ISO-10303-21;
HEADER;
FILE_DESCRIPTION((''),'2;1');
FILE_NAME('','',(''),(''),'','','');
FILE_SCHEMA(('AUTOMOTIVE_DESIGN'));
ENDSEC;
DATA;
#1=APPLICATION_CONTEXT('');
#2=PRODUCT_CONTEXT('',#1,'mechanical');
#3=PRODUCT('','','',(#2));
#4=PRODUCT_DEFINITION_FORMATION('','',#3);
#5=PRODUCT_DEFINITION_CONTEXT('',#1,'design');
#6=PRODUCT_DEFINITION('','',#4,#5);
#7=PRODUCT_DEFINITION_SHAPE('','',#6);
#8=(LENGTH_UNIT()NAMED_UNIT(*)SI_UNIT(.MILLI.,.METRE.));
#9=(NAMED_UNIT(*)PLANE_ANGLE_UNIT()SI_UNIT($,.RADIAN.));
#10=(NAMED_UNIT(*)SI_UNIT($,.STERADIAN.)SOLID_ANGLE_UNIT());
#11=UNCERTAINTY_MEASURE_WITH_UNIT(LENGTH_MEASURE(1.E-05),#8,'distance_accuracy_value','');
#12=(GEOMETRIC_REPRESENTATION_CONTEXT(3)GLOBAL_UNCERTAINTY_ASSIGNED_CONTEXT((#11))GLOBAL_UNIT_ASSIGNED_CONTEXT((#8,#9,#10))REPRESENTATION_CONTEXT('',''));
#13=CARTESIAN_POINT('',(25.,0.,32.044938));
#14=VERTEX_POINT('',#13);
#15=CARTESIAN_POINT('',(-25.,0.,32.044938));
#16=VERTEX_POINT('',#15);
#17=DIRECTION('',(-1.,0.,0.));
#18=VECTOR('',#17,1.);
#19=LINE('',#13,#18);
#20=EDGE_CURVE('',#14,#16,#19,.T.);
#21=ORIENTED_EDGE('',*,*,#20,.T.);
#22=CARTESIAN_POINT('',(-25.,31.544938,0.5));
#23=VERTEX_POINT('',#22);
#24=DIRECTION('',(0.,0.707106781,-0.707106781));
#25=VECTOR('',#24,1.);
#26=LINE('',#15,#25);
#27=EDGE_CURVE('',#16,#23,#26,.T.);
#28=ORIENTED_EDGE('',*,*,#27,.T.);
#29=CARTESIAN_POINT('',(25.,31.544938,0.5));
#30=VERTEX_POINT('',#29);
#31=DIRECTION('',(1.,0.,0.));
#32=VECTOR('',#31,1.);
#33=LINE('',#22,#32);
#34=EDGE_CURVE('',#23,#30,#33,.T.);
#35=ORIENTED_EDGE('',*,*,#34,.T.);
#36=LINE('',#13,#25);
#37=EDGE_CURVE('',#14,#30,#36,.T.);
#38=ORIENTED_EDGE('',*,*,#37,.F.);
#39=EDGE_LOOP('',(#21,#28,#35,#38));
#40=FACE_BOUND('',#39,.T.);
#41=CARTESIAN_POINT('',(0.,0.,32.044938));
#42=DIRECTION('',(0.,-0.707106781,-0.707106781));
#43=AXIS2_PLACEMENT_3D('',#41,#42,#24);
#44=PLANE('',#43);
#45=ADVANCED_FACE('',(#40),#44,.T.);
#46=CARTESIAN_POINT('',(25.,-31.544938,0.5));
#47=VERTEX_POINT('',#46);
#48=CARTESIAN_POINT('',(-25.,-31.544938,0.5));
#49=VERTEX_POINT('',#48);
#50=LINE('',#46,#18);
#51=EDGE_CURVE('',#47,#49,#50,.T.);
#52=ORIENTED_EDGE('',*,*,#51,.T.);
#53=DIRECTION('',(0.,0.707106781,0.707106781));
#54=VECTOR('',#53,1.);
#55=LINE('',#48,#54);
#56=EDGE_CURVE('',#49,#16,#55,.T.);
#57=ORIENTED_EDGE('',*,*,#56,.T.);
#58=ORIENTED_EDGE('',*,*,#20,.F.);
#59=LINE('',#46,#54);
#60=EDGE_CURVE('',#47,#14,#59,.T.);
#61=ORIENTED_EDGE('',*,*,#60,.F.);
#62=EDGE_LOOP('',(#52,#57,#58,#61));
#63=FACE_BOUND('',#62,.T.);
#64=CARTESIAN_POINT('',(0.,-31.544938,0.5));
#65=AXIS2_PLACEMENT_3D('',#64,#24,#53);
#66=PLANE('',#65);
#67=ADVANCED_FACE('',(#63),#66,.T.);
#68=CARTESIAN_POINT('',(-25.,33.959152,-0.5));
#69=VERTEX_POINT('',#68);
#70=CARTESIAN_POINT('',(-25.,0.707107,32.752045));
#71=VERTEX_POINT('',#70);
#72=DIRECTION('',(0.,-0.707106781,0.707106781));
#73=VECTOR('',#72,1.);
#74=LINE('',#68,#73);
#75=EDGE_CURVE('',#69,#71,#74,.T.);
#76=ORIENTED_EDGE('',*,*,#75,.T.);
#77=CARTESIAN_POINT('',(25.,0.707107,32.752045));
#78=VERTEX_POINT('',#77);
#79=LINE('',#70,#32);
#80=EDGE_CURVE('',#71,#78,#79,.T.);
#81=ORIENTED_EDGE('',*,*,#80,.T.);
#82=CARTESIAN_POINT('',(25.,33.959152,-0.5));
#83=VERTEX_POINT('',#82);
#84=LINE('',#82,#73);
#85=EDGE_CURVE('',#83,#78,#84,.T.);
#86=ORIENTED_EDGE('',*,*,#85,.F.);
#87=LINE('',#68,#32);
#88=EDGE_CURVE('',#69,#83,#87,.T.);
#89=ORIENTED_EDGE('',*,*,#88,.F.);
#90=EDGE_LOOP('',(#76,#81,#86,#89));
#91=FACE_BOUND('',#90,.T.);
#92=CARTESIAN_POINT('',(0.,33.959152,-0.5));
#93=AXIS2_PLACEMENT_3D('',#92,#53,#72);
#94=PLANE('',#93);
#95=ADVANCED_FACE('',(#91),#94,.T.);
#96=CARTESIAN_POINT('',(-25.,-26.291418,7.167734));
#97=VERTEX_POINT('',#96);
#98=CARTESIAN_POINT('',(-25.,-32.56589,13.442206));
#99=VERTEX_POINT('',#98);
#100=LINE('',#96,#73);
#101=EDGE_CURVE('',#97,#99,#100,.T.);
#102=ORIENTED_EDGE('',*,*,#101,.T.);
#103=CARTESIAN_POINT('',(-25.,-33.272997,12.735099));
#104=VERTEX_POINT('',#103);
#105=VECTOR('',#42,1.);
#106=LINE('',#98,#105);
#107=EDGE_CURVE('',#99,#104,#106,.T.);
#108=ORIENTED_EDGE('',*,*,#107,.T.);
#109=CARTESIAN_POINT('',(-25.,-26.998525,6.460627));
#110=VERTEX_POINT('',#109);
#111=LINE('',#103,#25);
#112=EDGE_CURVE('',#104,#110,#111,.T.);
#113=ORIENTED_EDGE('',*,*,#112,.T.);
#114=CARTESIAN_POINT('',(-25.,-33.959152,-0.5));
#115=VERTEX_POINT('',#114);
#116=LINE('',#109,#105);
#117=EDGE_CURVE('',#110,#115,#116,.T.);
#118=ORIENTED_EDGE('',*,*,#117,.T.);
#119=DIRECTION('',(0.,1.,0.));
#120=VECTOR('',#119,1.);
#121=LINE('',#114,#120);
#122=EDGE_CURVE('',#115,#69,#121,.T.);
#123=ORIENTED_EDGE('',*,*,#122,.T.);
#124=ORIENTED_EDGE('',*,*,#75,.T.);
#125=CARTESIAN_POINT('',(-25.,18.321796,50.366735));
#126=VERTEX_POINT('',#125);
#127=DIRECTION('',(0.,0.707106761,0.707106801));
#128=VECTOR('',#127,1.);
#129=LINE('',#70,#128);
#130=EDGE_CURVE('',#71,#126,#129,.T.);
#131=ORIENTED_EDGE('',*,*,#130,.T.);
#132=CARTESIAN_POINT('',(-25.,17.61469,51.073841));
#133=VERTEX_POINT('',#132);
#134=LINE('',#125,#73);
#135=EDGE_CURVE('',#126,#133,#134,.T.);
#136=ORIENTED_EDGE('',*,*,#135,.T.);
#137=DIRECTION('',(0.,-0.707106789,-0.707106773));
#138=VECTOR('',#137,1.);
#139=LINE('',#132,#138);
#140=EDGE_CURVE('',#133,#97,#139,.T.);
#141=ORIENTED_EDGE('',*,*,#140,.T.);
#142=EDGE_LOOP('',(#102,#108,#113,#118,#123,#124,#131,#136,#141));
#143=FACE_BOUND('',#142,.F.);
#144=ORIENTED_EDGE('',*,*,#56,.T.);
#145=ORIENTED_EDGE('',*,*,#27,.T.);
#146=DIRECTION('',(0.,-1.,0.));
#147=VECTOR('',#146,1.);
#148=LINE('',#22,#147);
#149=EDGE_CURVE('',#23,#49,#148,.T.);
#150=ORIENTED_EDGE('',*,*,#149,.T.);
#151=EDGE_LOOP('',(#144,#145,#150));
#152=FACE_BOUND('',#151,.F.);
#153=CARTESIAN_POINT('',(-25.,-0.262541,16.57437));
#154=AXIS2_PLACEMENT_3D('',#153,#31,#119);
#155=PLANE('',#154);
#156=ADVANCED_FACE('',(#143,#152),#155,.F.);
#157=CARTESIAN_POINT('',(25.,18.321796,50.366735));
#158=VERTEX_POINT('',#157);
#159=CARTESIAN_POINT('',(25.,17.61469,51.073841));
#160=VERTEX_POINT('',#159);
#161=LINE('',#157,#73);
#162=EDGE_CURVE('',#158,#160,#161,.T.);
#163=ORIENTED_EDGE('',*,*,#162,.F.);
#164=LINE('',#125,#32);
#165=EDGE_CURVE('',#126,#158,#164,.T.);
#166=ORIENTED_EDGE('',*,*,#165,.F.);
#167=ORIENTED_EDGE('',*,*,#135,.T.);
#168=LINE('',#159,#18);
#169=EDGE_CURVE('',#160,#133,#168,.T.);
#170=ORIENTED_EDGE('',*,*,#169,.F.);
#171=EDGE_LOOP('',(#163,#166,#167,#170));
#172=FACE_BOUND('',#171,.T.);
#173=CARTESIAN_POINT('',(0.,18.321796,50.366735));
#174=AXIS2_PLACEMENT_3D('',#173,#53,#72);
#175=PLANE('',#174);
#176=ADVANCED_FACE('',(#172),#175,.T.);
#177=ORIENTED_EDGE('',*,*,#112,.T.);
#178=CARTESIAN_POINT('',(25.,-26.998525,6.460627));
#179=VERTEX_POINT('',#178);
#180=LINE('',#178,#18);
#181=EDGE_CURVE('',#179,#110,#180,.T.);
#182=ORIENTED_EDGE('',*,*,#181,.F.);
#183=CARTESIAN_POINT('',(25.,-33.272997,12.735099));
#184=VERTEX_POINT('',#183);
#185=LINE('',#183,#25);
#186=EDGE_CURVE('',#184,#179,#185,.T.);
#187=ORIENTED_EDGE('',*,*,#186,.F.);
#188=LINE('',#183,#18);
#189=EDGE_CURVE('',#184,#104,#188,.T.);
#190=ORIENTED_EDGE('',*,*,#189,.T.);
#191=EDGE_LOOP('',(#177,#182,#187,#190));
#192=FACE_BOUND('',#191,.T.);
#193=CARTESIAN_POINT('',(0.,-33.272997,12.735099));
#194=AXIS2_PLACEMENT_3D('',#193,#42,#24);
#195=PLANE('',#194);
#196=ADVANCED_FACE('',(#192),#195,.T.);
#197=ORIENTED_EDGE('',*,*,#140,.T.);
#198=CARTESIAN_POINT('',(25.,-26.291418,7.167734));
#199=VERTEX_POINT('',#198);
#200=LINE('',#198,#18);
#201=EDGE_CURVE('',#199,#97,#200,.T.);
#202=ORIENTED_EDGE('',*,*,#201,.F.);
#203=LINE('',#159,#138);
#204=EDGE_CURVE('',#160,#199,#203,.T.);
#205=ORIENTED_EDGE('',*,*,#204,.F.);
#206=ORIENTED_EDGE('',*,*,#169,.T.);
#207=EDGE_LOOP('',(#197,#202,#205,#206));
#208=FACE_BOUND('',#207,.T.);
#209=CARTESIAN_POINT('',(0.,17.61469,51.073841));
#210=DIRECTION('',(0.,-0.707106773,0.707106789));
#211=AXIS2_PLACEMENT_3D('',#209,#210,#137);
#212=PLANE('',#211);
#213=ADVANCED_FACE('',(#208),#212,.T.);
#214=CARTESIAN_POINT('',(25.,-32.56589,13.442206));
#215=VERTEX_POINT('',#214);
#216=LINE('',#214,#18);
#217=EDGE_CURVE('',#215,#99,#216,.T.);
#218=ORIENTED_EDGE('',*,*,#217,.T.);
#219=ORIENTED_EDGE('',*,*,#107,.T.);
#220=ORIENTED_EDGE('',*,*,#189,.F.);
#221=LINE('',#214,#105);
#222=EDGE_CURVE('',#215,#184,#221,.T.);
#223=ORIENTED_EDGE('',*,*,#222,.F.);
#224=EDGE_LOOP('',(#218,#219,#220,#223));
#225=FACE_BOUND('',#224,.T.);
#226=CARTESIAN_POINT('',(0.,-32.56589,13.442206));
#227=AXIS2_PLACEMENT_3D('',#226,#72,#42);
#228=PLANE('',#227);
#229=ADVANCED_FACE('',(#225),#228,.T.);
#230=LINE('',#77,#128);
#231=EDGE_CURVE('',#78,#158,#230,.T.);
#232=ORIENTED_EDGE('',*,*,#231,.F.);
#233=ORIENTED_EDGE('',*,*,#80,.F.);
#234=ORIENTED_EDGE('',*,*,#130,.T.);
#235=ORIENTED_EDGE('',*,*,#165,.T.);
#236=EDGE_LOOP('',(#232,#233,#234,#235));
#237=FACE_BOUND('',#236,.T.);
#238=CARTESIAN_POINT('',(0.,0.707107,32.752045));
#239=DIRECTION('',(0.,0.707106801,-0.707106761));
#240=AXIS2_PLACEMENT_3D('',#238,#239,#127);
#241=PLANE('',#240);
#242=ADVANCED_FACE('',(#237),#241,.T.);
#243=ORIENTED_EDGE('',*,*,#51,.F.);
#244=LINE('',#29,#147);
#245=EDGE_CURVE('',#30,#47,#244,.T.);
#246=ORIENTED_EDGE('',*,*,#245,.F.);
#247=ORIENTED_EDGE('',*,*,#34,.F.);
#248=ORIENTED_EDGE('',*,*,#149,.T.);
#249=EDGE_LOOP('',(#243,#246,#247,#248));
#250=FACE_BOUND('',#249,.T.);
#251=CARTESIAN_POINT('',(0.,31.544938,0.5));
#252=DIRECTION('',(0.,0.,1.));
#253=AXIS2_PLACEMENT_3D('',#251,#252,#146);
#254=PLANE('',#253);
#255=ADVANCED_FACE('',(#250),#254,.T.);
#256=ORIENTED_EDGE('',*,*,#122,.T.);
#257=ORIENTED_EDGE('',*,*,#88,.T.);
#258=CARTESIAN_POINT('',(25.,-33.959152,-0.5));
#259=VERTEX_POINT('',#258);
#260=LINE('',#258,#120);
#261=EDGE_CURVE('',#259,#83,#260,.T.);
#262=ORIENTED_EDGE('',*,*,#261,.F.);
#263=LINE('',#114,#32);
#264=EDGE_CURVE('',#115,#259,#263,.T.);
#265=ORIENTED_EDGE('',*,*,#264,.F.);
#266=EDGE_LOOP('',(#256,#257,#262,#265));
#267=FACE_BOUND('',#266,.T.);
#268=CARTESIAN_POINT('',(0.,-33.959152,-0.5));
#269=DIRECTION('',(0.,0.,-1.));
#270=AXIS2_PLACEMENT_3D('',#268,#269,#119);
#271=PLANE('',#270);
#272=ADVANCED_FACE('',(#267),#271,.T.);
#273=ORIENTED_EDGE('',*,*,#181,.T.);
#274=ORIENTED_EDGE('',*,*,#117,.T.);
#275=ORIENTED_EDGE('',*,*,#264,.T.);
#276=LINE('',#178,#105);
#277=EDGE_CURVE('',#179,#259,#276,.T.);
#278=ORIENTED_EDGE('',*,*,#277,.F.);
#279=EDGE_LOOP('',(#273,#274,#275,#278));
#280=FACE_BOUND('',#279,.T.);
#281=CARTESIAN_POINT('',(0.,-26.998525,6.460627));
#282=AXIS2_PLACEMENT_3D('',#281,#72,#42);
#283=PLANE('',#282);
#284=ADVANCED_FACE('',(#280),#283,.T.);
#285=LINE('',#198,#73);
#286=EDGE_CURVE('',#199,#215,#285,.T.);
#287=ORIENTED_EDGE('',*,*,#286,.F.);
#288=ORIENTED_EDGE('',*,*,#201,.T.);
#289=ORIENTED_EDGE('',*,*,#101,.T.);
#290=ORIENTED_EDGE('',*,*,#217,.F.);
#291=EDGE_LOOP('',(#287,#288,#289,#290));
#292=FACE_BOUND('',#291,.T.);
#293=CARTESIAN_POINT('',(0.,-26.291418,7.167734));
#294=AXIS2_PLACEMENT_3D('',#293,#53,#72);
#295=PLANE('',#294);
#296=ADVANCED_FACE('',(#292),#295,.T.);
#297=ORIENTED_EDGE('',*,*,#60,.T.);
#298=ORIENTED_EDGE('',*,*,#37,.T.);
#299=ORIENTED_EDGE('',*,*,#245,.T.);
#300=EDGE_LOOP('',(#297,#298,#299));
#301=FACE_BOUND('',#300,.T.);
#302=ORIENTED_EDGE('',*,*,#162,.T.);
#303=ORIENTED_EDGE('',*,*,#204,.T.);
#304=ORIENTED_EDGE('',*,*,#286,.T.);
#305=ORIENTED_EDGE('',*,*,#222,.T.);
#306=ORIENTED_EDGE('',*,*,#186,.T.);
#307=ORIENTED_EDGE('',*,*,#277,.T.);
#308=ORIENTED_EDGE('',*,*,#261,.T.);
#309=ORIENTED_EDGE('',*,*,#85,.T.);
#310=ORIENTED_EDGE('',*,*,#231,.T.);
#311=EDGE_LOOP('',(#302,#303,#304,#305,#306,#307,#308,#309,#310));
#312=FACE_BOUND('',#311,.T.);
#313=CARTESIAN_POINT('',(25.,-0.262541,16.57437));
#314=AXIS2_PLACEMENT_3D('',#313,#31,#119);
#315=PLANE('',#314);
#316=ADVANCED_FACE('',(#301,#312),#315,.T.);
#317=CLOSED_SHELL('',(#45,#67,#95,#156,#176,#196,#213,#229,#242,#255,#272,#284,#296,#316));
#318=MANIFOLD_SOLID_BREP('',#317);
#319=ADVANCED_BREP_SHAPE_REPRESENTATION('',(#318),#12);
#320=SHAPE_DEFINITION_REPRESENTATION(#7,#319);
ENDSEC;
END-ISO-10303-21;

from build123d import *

# Parameters (mm, degrees)
F1_DEPTH = 25


with BuildPart() as f1:
    # F0 (on Right) → F1 (new body, symmetric)
    with BuildSketch(Plane.YZ):
        Polygon((-26.998525, 6.460627), (-33.959152, -0.5), (33.959152, -0.5), (0.707107, 32.752045), (18.321796, 50.366735), (17.61469, 51.073841), (-26.291418, 7.167734), (-32.56589, 13.442206), (-33.272997, 12.735099), align=None)
        Polygon((31.544938, 0.5), (-31.544938, 0.5), (0, 32.044938), align=None, mode=Mode.SUBTRACT)
    extrude(amount=F1_DEPTH, both=True)


solid = f1.part
